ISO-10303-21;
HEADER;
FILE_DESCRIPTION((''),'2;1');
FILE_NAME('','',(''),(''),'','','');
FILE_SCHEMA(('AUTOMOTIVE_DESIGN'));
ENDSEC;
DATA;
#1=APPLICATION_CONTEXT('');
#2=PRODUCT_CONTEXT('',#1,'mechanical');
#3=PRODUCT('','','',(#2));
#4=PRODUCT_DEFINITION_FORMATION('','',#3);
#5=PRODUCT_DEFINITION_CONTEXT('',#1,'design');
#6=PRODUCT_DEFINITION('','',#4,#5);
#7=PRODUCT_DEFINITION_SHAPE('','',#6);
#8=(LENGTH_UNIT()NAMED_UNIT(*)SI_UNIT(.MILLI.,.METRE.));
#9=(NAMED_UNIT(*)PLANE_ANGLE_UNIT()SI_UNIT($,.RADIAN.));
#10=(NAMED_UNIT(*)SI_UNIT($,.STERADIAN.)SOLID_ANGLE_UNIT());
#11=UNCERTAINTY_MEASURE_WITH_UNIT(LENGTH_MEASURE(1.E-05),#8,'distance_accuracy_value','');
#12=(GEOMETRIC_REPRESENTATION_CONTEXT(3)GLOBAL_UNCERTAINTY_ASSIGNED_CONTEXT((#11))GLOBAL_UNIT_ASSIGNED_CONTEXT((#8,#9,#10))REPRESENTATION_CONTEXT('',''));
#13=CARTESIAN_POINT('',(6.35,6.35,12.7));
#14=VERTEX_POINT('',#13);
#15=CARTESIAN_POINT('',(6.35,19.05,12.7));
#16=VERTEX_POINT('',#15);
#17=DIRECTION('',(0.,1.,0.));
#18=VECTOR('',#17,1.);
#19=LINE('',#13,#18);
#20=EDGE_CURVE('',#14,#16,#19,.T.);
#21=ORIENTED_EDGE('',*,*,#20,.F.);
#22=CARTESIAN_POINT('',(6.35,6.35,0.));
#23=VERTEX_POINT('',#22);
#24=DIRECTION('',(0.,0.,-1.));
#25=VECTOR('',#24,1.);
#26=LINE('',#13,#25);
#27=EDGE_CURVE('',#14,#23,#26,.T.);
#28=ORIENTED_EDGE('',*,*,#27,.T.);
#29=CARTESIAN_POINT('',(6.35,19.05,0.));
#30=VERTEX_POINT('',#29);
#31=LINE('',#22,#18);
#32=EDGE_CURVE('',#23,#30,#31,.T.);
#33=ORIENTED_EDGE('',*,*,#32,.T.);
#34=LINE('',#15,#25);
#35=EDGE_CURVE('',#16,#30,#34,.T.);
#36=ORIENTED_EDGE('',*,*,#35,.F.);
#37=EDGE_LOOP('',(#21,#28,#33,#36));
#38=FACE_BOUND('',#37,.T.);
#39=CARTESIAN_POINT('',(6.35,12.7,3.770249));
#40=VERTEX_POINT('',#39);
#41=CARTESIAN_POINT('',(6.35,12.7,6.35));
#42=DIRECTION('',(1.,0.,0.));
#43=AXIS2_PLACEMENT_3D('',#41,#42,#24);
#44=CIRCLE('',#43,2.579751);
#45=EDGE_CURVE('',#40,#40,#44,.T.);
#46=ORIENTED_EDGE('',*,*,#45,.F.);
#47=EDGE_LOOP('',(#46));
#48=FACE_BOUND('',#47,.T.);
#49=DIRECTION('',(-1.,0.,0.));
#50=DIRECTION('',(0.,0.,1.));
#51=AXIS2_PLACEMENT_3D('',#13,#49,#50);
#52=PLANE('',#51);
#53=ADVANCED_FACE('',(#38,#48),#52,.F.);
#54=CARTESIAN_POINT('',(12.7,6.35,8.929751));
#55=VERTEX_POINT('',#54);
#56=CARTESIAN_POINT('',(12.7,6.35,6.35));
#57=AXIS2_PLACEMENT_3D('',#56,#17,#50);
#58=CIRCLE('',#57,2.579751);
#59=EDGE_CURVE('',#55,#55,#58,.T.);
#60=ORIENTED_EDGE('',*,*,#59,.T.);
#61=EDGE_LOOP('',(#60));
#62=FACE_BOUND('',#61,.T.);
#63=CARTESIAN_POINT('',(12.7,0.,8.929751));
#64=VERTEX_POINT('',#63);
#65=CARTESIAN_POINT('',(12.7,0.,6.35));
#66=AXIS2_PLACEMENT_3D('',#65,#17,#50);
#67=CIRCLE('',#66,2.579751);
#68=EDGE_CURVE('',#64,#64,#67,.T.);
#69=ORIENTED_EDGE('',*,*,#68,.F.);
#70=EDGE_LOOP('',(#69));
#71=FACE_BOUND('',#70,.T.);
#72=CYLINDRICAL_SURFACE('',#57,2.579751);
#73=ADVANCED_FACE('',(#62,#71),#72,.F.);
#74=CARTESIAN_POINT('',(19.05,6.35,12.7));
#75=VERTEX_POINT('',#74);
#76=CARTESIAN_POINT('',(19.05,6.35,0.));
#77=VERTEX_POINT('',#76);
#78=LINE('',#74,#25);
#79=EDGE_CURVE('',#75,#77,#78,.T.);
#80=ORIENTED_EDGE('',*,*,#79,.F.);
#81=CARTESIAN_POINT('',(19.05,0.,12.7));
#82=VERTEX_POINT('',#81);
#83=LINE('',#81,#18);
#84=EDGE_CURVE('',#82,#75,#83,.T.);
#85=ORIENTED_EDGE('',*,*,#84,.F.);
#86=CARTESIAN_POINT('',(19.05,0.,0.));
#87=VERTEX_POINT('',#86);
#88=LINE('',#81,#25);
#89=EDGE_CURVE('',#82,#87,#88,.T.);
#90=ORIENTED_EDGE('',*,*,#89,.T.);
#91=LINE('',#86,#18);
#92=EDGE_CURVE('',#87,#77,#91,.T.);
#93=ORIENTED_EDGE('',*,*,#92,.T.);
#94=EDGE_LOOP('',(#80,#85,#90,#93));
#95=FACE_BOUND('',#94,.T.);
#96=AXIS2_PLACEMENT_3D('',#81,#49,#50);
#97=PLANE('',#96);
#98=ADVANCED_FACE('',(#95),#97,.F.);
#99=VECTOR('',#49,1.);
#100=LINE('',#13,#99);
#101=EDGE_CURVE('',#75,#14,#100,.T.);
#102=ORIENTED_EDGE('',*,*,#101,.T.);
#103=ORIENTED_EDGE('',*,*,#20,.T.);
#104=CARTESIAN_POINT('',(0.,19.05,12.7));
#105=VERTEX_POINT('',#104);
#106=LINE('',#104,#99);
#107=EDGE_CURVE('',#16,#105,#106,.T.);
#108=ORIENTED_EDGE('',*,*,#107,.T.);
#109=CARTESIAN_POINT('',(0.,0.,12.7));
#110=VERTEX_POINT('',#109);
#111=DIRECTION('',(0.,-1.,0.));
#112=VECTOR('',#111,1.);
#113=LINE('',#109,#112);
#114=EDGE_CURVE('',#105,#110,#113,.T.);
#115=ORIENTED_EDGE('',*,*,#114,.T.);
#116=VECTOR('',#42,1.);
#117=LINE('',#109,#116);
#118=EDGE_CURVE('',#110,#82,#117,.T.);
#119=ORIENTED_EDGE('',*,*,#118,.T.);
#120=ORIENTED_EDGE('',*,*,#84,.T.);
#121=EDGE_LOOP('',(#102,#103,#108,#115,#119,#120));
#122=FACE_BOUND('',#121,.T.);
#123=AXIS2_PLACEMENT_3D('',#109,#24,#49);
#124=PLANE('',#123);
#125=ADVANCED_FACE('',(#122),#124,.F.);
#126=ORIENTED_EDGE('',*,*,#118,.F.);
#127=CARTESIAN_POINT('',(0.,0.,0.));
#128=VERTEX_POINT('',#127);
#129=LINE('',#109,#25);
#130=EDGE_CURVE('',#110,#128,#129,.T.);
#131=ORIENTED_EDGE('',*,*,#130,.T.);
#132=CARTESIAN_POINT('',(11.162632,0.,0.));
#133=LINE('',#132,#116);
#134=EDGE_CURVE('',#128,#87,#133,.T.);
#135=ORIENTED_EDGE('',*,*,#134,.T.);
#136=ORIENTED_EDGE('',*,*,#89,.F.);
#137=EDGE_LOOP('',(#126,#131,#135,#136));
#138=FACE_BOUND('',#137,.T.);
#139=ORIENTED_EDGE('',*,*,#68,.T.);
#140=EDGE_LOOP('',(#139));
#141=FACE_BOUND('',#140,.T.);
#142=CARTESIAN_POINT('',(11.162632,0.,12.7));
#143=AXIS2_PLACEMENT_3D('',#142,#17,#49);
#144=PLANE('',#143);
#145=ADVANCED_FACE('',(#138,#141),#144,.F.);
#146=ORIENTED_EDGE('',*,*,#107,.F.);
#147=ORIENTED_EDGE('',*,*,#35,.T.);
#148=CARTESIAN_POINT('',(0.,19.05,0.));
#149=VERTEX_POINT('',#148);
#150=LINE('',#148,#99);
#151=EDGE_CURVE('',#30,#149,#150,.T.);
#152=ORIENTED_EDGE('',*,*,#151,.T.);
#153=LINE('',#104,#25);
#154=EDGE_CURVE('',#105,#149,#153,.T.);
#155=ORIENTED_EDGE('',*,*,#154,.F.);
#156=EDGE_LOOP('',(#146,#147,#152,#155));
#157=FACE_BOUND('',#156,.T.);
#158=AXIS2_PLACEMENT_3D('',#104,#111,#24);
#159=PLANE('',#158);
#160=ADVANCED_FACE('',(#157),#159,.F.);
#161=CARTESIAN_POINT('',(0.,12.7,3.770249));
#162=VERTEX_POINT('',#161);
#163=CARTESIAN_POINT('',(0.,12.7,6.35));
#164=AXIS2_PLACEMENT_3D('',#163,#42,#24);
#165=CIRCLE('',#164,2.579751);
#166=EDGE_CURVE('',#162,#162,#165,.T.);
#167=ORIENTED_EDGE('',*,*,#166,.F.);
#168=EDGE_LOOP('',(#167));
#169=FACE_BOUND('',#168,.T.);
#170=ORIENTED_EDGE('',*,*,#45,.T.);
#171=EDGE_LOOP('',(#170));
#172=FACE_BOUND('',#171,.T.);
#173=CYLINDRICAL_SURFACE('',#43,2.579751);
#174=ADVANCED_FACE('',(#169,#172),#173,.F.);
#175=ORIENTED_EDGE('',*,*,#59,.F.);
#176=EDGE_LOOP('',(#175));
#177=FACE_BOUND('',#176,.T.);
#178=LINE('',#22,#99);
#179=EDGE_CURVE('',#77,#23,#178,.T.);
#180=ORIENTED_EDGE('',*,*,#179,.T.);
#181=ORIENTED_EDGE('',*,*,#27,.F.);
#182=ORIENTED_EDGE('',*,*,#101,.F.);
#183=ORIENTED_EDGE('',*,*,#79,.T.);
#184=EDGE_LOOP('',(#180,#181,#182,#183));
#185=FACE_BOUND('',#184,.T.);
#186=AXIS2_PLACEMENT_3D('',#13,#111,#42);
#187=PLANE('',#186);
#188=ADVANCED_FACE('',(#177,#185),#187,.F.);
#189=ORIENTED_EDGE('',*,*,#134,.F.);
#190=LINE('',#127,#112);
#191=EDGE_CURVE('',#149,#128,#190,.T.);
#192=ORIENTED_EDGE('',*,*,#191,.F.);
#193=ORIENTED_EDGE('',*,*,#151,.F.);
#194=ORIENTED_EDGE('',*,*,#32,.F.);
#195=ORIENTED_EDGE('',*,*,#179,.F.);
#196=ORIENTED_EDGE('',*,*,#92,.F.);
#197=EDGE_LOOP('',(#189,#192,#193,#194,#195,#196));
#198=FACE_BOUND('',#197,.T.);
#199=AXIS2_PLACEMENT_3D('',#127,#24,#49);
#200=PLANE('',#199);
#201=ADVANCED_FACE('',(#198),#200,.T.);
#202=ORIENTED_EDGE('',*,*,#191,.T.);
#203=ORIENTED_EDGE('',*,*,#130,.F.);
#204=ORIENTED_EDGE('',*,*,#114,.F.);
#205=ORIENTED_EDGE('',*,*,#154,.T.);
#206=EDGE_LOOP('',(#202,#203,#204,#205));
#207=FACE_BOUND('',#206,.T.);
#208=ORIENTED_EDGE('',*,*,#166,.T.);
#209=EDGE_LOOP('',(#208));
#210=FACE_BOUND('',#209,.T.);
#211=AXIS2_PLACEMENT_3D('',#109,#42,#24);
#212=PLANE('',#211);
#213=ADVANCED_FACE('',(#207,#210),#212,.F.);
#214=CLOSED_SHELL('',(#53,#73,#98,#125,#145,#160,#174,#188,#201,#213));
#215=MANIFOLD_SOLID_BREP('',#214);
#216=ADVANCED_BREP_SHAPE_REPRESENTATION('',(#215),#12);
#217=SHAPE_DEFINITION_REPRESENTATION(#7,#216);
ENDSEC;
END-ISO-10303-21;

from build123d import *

# Parameters (mm, degrees)
BOSS_EXTRUDE1_DEPTH                        = 12.7
F_13_64_0_20313_DIAMETER_HOLE1_D           = 5.159502
F_13_64_0_20313_DIAMETER_HOLE1_ON_FACE_2_D = 5.159502


with BuildPart() as part:
    # Sketch1 → Boss-Extrude1 (new body)
    with BuildSketch(Plane.XY):
        Polygon((0, 0), (11.162631579, 0), (19.05, 0), (19.05, 6.35), (6.35, 6.35), (6.35, 19.05), (0, 19.05), align=None)
    extrude(amount=BOSS_EXTRUDE1_DEPTH)

    # 13/64 (0.20313) Diameter Hole1 (through all)
    with Locations(Plane(origin=(6.35, 12.7, 6.35), x_dir=(0, 0, 1), z_dir=(1, 0, 0))):
        with Locations((0, 0)):
            Hole(F_13_64_0_20313_DIAMETER_HOLE1_D / 2)

    # 13/64 (0.20313) Diameter Hole1 on face 2 (through all)
    with Locations(Plane(origin=(12.7, 6.35, 6.35), x_dir=(0, 0, 1), z_dir=(0, 1, 0))):
        with Locations((0, 0)):
            Hole(F_13_64_0_20313_DIAMETER_HOLE1_ON_FACE_2_D / 2)


solid = part.part
